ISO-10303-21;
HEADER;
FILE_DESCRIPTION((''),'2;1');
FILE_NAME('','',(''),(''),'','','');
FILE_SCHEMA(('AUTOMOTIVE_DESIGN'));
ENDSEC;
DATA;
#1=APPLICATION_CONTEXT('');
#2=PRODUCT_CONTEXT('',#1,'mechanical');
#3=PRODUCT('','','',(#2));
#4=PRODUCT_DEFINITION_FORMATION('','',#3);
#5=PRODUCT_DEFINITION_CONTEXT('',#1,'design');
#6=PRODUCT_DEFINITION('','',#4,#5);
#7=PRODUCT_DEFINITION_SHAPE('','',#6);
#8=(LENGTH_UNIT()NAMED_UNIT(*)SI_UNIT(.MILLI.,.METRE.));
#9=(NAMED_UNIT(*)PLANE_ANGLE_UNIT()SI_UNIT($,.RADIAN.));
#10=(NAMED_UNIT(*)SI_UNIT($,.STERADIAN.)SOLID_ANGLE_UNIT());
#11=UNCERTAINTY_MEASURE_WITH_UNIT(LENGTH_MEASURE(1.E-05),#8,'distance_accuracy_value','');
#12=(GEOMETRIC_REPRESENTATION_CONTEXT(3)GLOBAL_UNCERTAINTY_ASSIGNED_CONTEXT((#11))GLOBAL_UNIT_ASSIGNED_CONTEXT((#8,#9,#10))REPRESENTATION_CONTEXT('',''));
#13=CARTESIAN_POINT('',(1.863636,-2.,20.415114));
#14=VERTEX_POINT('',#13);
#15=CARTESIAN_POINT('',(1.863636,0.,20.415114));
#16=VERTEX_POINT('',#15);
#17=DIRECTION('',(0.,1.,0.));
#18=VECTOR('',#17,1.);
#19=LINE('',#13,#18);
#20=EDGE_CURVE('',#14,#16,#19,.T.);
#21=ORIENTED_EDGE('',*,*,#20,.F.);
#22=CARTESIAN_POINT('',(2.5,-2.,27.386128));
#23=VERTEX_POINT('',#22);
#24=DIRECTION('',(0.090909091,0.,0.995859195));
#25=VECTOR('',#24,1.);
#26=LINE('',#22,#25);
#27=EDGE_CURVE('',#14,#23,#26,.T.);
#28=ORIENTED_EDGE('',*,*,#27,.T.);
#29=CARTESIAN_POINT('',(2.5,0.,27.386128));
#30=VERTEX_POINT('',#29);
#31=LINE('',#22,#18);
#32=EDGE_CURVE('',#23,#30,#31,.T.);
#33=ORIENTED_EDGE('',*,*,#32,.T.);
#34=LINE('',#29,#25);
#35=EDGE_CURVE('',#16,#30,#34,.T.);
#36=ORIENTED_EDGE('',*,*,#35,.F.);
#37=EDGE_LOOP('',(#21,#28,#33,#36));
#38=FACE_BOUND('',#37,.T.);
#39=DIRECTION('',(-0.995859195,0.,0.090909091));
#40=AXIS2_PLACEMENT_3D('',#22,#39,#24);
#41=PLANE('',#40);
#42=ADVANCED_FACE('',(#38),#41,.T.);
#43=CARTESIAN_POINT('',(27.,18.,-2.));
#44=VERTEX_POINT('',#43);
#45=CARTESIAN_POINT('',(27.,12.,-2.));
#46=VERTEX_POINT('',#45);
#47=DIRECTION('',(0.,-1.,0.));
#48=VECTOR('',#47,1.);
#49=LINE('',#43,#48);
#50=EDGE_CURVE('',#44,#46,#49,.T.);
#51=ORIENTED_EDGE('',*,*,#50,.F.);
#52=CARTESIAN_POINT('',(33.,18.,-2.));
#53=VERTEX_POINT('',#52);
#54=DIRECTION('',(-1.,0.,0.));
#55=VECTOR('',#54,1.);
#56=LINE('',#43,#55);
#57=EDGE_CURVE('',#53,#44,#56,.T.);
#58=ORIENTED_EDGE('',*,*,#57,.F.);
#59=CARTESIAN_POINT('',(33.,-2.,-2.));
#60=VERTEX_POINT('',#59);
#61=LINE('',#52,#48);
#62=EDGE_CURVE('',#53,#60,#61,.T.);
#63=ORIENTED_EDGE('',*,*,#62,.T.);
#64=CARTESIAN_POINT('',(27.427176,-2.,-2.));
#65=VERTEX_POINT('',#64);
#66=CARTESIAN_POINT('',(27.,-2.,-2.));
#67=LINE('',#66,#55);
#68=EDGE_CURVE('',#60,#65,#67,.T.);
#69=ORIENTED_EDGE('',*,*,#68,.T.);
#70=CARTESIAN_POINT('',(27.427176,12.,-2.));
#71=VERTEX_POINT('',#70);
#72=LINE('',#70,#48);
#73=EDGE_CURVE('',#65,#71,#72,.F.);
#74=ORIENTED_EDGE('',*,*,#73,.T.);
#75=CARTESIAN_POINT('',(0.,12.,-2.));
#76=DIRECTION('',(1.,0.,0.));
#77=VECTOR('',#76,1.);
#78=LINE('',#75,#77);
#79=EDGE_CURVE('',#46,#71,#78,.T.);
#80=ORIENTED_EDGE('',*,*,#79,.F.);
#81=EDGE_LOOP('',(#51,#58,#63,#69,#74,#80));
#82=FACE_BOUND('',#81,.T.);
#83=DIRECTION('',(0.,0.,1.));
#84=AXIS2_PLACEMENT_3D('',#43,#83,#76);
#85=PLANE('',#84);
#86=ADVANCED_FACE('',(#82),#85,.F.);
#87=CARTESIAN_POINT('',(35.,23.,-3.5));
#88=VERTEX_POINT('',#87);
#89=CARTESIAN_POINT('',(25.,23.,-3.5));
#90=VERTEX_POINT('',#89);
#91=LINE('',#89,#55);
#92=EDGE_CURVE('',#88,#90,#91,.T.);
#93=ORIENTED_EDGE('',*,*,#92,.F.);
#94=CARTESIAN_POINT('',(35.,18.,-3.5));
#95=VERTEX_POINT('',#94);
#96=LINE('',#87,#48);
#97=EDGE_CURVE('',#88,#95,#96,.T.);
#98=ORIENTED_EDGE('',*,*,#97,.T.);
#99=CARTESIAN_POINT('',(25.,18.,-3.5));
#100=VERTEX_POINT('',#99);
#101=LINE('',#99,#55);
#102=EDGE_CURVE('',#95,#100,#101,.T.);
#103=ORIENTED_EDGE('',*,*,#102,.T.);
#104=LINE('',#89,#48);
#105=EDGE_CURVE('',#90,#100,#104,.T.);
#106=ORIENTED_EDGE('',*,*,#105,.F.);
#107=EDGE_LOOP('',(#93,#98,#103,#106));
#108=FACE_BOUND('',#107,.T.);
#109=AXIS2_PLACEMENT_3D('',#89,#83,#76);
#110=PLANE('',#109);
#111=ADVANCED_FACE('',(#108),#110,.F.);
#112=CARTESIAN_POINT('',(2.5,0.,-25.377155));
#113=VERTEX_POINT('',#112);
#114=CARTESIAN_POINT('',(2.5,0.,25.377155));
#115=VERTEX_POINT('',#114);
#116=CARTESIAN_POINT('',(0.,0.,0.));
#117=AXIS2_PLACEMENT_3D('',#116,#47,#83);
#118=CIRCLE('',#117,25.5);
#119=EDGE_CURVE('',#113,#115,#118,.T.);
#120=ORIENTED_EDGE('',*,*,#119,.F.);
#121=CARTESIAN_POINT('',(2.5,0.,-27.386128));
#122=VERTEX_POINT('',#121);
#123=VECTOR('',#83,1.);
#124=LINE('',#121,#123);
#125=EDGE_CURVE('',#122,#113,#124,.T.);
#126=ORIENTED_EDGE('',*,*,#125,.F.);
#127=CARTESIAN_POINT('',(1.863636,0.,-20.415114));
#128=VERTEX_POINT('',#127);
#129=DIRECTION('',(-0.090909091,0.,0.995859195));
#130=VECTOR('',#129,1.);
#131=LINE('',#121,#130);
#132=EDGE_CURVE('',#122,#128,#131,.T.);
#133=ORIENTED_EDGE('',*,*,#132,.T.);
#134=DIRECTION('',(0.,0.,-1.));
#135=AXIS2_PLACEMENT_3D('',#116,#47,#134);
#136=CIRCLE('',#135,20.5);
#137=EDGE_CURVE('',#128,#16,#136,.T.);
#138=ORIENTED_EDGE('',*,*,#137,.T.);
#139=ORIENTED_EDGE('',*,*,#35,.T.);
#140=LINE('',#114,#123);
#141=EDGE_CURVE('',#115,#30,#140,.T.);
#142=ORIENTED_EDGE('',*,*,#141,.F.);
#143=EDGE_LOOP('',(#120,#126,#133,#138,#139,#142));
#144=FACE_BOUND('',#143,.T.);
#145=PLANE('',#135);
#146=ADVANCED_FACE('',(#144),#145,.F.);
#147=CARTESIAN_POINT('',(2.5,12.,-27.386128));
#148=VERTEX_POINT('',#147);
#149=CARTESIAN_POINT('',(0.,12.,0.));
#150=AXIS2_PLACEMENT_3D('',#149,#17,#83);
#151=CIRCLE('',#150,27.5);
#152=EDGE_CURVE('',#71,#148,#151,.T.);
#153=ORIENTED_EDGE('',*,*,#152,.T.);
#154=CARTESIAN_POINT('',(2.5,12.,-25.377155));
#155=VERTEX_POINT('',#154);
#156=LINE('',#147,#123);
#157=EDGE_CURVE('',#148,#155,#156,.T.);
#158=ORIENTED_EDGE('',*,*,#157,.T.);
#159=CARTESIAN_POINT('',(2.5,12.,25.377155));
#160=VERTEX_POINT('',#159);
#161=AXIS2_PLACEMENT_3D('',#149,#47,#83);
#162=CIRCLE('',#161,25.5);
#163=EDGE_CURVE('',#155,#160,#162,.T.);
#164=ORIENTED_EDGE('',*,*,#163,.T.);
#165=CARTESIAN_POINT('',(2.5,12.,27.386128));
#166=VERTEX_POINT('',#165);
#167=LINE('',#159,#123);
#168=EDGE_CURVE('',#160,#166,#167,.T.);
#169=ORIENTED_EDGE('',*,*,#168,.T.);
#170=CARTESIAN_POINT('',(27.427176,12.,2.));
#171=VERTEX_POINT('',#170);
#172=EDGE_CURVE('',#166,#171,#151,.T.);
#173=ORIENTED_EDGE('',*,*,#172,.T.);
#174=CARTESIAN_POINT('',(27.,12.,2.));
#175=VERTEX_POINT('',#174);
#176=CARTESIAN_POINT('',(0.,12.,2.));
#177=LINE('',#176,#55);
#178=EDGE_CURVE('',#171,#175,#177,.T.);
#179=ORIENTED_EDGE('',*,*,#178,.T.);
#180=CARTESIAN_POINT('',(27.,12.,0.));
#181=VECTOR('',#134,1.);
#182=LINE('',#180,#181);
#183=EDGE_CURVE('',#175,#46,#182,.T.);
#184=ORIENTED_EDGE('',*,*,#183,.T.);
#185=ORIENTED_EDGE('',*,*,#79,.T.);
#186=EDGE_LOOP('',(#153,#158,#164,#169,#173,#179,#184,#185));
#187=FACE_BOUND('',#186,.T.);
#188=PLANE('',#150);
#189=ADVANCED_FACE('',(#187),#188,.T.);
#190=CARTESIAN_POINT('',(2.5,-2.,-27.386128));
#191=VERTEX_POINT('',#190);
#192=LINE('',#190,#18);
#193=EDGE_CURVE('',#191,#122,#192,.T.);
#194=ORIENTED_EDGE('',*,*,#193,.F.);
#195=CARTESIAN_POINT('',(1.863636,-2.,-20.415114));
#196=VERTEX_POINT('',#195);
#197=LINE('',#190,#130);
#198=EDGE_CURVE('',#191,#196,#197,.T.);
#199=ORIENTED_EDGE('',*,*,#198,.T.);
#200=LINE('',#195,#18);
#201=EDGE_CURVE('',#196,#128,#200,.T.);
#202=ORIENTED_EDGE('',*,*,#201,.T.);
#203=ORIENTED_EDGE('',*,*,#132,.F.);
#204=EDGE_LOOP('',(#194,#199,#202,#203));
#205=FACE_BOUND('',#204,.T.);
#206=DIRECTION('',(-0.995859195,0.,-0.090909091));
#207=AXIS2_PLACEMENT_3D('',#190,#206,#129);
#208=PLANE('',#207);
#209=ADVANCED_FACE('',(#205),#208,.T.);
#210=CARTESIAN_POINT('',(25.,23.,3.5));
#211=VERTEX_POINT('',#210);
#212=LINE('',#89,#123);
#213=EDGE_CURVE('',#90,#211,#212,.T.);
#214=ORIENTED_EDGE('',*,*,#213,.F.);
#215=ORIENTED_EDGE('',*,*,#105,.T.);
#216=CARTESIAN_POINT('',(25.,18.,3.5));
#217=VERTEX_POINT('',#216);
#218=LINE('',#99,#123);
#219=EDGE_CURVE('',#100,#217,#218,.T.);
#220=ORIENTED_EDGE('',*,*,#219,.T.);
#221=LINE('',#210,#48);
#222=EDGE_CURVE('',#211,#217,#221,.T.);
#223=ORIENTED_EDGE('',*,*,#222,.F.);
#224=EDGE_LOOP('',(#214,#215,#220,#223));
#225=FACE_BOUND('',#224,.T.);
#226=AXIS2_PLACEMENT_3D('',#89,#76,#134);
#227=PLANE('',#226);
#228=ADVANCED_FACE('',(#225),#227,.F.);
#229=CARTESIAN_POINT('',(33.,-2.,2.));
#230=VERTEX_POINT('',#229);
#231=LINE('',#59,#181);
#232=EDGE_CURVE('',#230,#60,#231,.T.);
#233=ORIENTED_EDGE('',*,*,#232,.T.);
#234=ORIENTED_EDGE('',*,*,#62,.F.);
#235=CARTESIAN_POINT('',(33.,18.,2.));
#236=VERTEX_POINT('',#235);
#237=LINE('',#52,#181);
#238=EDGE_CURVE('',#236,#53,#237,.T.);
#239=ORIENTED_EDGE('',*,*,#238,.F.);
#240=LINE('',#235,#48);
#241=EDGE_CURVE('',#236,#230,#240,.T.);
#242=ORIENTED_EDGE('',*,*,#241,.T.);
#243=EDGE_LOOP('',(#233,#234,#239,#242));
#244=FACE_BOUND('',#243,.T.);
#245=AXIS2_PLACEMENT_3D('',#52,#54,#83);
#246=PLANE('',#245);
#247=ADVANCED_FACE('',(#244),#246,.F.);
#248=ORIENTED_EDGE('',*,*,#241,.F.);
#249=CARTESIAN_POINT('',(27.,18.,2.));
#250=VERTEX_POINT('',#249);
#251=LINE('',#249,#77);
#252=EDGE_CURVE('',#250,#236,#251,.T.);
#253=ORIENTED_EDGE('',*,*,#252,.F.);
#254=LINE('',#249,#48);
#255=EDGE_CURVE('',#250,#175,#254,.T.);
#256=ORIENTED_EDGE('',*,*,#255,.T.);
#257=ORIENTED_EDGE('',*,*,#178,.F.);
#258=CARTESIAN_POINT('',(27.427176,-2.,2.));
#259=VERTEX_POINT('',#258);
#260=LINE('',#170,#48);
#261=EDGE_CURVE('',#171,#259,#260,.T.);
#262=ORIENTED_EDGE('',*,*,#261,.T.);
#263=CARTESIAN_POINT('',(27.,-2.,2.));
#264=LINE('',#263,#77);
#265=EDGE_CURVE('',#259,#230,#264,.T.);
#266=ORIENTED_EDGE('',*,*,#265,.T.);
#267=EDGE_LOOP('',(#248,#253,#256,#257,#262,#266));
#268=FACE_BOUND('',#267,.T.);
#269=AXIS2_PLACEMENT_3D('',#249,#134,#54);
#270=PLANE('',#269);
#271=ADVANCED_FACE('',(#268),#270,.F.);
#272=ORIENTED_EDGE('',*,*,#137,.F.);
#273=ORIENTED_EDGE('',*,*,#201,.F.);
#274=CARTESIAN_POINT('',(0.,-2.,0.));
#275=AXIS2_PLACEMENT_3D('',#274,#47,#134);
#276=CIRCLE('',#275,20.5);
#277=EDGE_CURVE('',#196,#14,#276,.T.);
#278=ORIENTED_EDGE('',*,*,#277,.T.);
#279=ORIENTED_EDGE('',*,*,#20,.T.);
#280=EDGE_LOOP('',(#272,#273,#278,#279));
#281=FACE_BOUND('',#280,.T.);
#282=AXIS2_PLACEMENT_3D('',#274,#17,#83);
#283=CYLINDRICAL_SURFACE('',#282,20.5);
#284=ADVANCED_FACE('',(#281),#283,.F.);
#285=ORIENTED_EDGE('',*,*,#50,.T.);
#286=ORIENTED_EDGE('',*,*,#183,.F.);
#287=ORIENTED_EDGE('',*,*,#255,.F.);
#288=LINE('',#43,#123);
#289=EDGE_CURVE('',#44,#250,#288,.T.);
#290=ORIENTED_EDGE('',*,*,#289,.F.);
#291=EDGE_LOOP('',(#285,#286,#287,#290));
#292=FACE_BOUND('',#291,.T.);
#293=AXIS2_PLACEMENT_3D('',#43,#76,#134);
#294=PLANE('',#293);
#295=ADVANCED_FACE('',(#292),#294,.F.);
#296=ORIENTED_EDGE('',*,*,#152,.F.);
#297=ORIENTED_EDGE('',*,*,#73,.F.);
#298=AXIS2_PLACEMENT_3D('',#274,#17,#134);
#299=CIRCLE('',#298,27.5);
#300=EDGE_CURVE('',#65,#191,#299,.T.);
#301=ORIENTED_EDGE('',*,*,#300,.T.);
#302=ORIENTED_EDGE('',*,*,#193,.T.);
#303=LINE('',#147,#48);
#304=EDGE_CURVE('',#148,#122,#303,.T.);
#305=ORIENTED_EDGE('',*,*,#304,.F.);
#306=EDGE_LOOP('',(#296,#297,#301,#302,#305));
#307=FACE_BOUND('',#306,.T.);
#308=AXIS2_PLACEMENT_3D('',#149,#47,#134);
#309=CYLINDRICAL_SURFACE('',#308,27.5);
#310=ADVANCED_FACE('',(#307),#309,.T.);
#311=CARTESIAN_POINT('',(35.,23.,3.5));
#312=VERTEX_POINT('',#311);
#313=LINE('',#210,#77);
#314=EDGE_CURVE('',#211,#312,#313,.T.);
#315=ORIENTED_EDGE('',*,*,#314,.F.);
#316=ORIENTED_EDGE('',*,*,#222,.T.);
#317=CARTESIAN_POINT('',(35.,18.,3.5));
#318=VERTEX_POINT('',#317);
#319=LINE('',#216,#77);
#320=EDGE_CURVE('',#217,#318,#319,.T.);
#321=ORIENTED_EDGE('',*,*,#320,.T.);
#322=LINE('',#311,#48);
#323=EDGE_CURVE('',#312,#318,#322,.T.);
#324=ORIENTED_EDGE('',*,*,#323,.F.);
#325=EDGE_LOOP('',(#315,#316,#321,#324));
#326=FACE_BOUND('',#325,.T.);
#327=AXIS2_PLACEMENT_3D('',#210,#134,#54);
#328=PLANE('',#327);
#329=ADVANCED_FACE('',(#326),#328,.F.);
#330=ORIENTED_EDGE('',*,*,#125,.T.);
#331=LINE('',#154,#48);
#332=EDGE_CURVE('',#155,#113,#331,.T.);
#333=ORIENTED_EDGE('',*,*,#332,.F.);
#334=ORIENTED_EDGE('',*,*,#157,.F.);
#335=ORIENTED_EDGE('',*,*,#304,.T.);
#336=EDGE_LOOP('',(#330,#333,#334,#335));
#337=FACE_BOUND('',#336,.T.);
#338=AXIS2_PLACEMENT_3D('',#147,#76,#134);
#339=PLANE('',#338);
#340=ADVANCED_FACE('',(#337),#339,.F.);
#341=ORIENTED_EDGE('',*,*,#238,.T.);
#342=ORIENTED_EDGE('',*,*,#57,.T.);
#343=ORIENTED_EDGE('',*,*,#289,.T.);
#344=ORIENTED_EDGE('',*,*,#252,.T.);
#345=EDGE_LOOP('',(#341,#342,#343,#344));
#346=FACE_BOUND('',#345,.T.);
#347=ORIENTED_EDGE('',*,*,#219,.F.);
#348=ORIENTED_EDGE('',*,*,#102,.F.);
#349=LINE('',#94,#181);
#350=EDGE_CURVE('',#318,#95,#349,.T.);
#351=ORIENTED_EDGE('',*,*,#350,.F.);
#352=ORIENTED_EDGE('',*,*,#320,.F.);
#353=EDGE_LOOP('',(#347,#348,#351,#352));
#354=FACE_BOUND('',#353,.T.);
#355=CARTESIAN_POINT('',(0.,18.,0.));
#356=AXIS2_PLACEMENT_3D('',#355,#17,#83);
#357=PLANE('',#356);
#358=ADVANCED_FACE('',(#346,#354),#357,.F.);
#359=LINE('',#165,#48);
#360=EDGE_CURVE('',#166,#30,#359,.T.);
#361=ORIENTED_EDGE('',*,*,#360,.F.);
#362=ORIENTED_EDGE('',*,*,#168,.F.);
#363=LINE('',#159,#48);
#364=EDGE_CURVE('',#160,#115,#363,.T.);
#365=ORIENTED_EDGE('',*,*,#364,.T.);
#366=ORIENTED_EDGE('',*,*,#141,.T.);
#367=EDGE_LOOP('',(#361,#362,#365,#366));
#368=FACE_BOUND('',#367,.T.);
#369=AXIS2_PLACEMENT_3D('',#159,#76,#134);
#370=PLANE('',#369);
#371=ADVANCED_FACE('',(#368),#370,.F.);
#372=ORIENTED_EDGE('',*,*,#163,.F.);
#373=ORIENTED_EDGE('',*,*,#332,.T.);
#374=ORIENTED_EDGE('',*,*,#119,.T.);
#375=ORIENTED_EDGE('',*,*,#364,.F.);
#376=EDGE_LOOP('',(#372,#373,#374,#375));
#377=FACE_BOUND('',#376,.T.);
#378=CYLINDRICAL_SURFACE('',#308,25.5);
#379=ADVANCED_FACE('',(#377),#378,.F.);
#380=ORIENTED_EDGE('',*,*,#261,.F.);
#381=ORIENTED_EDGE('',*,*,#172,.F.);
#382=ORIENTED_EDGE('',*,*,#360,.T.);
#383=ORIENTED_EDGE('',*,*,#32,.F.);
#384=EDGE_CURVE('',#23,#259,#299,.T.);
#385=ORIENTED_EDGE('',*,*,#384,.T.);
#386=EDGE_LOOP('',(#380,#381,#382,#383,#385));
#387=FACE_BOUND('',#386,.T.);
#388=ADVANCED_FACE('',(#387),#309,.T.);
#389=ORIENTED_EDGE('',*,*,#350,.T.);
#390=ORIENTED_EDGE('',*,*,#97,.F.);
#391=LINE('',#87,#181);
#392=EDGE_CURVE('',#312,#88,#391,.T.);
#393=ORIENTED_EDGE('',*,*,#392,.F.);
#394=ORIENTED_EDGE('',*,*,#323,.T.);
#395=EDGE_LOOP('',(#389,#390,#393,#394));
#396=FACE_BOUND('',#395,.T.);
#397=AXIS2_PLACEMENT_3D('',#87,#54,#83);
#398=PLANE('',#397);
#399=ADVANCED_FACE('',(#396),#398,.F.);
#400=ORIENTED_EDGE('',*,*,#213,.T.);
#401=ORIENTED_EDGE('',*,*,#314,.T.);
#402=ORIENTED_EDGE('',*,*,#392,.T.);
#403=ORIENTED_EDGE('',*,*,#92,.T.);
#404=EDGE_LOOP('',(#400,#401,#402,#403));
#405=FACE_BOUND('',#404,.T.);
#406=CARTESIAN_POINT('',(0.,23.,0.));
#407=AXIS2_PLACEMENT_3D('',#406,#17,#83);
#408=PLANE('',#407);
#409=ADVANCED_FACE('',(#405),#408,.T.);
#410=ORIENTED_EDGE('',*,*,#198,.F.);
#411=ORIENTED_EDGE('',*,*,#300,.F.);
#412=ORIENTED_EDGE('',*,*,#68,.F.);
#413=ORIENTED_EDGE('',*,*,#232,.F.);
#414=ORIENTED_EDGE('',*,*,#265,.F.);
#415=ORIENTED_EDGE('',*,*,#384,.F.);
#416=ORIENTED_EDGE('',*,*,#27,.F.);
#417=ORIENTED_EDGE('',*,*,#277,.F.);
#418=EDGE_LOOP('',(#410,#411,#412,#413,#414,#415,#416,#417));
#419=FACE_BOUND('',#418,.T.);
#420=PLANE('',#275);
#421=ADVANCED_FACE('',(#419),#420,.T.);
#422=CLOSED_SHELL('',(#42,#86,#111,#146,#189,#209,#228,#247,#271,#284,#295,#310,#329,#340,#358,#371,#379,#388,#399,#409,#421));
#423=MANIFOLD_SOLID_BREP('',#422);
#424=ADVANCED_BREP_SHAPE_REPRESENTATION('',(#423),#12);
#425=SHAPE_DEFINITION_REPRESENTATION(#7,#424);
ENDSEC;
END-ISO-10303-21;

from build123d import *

# Parameters (mm, degrees)
BOSS_EXTRUDE1_DEPTH = 12
BOSS_EXTRUDE2_START = -2
BOSS_EXTRUDE2_DEPTH = 2
SKETCH4_W           = 6
SKETCH4_H           = 4
BOSS_EXTRUDE3_DEPTH = 20
SKETCH5_W           = 10
SKETCH5_H           = 7
BOSS_EXTRUDE4_DEPTH = 5


with BuildPart() as part:
    # Sketch1 → Boss-Extrude1 (new body)
    with BuildSketch(Plane(origin=(0, 0, 0), x_dir=(1, 0, 0), z_dir=(0, 1, 0))):
        with BuildLine():
            Line((2.5, 27.386127875), (2.5, 25.377155081))
            ThreePointArc((2.5, 25.377155081), (25.5, 0), (2.5, -25.377155081))
            Line((2.5, -25.377155081), (2.5, -27.386127875))
            ThreePointArc((2.5, -27.386127875), (27.5, 0), (2.5, 27.386127875))
        make_face()
    extrude(amount=BOSS_EXTRUDE1_DEPTH)

    # Sketch2 → Boss-Extrude2 (add)
    with BuildSketch(Plane(origin=(0, 0, 0), x_dir=(1, 0, 0), z_dir=(0, 1, 0)).offset(BOSS_EXTRUDE2_START)):
        with BuildLine():
            Line((2.5, 27.386127875), (1.863636364, 20.415113507))
            ThreePointArc((1.863636364, 20.415113507), (20.5, 0), (1.863636364, -20.415113507))
            Line((1.863636364, -20.415113507), (2.5, -27.386127875))
            ThreePointArc((2.5, -27.386127875), (27.5, 0), (2.5, 27.386127875))
        make_face()
    extrude(amount=BOSS_EXTRUDE2_DEPTH)

    # Sketch4 → Boss-Extrude3 (add)
    with BuildSketch(Plane(origin=(0, -2, 0), x_dir=(1, 0, 0), z_dir=(0, 1, 0))):
        with Locations((30, 0)):
            Rectangle(SKETCH4_W, SKETCH4_H)
    extrude(amount=BOSS_EXTRUDE3_DEPTH)

    # Sketch5 → Boss-Extrude4 (add)
    with BuildSketch(Plane(origin=(0, 18, 0), x_dir=(1, 0, 0), z_dir=(0, 1, 0))):
        with Locations((30, 0)):
            Rectangle(SKETCH5_W, SKETCH5_H)
    extrude(amount=BOSS_EXTRUDE4_DEPTH)


solid = part.part
